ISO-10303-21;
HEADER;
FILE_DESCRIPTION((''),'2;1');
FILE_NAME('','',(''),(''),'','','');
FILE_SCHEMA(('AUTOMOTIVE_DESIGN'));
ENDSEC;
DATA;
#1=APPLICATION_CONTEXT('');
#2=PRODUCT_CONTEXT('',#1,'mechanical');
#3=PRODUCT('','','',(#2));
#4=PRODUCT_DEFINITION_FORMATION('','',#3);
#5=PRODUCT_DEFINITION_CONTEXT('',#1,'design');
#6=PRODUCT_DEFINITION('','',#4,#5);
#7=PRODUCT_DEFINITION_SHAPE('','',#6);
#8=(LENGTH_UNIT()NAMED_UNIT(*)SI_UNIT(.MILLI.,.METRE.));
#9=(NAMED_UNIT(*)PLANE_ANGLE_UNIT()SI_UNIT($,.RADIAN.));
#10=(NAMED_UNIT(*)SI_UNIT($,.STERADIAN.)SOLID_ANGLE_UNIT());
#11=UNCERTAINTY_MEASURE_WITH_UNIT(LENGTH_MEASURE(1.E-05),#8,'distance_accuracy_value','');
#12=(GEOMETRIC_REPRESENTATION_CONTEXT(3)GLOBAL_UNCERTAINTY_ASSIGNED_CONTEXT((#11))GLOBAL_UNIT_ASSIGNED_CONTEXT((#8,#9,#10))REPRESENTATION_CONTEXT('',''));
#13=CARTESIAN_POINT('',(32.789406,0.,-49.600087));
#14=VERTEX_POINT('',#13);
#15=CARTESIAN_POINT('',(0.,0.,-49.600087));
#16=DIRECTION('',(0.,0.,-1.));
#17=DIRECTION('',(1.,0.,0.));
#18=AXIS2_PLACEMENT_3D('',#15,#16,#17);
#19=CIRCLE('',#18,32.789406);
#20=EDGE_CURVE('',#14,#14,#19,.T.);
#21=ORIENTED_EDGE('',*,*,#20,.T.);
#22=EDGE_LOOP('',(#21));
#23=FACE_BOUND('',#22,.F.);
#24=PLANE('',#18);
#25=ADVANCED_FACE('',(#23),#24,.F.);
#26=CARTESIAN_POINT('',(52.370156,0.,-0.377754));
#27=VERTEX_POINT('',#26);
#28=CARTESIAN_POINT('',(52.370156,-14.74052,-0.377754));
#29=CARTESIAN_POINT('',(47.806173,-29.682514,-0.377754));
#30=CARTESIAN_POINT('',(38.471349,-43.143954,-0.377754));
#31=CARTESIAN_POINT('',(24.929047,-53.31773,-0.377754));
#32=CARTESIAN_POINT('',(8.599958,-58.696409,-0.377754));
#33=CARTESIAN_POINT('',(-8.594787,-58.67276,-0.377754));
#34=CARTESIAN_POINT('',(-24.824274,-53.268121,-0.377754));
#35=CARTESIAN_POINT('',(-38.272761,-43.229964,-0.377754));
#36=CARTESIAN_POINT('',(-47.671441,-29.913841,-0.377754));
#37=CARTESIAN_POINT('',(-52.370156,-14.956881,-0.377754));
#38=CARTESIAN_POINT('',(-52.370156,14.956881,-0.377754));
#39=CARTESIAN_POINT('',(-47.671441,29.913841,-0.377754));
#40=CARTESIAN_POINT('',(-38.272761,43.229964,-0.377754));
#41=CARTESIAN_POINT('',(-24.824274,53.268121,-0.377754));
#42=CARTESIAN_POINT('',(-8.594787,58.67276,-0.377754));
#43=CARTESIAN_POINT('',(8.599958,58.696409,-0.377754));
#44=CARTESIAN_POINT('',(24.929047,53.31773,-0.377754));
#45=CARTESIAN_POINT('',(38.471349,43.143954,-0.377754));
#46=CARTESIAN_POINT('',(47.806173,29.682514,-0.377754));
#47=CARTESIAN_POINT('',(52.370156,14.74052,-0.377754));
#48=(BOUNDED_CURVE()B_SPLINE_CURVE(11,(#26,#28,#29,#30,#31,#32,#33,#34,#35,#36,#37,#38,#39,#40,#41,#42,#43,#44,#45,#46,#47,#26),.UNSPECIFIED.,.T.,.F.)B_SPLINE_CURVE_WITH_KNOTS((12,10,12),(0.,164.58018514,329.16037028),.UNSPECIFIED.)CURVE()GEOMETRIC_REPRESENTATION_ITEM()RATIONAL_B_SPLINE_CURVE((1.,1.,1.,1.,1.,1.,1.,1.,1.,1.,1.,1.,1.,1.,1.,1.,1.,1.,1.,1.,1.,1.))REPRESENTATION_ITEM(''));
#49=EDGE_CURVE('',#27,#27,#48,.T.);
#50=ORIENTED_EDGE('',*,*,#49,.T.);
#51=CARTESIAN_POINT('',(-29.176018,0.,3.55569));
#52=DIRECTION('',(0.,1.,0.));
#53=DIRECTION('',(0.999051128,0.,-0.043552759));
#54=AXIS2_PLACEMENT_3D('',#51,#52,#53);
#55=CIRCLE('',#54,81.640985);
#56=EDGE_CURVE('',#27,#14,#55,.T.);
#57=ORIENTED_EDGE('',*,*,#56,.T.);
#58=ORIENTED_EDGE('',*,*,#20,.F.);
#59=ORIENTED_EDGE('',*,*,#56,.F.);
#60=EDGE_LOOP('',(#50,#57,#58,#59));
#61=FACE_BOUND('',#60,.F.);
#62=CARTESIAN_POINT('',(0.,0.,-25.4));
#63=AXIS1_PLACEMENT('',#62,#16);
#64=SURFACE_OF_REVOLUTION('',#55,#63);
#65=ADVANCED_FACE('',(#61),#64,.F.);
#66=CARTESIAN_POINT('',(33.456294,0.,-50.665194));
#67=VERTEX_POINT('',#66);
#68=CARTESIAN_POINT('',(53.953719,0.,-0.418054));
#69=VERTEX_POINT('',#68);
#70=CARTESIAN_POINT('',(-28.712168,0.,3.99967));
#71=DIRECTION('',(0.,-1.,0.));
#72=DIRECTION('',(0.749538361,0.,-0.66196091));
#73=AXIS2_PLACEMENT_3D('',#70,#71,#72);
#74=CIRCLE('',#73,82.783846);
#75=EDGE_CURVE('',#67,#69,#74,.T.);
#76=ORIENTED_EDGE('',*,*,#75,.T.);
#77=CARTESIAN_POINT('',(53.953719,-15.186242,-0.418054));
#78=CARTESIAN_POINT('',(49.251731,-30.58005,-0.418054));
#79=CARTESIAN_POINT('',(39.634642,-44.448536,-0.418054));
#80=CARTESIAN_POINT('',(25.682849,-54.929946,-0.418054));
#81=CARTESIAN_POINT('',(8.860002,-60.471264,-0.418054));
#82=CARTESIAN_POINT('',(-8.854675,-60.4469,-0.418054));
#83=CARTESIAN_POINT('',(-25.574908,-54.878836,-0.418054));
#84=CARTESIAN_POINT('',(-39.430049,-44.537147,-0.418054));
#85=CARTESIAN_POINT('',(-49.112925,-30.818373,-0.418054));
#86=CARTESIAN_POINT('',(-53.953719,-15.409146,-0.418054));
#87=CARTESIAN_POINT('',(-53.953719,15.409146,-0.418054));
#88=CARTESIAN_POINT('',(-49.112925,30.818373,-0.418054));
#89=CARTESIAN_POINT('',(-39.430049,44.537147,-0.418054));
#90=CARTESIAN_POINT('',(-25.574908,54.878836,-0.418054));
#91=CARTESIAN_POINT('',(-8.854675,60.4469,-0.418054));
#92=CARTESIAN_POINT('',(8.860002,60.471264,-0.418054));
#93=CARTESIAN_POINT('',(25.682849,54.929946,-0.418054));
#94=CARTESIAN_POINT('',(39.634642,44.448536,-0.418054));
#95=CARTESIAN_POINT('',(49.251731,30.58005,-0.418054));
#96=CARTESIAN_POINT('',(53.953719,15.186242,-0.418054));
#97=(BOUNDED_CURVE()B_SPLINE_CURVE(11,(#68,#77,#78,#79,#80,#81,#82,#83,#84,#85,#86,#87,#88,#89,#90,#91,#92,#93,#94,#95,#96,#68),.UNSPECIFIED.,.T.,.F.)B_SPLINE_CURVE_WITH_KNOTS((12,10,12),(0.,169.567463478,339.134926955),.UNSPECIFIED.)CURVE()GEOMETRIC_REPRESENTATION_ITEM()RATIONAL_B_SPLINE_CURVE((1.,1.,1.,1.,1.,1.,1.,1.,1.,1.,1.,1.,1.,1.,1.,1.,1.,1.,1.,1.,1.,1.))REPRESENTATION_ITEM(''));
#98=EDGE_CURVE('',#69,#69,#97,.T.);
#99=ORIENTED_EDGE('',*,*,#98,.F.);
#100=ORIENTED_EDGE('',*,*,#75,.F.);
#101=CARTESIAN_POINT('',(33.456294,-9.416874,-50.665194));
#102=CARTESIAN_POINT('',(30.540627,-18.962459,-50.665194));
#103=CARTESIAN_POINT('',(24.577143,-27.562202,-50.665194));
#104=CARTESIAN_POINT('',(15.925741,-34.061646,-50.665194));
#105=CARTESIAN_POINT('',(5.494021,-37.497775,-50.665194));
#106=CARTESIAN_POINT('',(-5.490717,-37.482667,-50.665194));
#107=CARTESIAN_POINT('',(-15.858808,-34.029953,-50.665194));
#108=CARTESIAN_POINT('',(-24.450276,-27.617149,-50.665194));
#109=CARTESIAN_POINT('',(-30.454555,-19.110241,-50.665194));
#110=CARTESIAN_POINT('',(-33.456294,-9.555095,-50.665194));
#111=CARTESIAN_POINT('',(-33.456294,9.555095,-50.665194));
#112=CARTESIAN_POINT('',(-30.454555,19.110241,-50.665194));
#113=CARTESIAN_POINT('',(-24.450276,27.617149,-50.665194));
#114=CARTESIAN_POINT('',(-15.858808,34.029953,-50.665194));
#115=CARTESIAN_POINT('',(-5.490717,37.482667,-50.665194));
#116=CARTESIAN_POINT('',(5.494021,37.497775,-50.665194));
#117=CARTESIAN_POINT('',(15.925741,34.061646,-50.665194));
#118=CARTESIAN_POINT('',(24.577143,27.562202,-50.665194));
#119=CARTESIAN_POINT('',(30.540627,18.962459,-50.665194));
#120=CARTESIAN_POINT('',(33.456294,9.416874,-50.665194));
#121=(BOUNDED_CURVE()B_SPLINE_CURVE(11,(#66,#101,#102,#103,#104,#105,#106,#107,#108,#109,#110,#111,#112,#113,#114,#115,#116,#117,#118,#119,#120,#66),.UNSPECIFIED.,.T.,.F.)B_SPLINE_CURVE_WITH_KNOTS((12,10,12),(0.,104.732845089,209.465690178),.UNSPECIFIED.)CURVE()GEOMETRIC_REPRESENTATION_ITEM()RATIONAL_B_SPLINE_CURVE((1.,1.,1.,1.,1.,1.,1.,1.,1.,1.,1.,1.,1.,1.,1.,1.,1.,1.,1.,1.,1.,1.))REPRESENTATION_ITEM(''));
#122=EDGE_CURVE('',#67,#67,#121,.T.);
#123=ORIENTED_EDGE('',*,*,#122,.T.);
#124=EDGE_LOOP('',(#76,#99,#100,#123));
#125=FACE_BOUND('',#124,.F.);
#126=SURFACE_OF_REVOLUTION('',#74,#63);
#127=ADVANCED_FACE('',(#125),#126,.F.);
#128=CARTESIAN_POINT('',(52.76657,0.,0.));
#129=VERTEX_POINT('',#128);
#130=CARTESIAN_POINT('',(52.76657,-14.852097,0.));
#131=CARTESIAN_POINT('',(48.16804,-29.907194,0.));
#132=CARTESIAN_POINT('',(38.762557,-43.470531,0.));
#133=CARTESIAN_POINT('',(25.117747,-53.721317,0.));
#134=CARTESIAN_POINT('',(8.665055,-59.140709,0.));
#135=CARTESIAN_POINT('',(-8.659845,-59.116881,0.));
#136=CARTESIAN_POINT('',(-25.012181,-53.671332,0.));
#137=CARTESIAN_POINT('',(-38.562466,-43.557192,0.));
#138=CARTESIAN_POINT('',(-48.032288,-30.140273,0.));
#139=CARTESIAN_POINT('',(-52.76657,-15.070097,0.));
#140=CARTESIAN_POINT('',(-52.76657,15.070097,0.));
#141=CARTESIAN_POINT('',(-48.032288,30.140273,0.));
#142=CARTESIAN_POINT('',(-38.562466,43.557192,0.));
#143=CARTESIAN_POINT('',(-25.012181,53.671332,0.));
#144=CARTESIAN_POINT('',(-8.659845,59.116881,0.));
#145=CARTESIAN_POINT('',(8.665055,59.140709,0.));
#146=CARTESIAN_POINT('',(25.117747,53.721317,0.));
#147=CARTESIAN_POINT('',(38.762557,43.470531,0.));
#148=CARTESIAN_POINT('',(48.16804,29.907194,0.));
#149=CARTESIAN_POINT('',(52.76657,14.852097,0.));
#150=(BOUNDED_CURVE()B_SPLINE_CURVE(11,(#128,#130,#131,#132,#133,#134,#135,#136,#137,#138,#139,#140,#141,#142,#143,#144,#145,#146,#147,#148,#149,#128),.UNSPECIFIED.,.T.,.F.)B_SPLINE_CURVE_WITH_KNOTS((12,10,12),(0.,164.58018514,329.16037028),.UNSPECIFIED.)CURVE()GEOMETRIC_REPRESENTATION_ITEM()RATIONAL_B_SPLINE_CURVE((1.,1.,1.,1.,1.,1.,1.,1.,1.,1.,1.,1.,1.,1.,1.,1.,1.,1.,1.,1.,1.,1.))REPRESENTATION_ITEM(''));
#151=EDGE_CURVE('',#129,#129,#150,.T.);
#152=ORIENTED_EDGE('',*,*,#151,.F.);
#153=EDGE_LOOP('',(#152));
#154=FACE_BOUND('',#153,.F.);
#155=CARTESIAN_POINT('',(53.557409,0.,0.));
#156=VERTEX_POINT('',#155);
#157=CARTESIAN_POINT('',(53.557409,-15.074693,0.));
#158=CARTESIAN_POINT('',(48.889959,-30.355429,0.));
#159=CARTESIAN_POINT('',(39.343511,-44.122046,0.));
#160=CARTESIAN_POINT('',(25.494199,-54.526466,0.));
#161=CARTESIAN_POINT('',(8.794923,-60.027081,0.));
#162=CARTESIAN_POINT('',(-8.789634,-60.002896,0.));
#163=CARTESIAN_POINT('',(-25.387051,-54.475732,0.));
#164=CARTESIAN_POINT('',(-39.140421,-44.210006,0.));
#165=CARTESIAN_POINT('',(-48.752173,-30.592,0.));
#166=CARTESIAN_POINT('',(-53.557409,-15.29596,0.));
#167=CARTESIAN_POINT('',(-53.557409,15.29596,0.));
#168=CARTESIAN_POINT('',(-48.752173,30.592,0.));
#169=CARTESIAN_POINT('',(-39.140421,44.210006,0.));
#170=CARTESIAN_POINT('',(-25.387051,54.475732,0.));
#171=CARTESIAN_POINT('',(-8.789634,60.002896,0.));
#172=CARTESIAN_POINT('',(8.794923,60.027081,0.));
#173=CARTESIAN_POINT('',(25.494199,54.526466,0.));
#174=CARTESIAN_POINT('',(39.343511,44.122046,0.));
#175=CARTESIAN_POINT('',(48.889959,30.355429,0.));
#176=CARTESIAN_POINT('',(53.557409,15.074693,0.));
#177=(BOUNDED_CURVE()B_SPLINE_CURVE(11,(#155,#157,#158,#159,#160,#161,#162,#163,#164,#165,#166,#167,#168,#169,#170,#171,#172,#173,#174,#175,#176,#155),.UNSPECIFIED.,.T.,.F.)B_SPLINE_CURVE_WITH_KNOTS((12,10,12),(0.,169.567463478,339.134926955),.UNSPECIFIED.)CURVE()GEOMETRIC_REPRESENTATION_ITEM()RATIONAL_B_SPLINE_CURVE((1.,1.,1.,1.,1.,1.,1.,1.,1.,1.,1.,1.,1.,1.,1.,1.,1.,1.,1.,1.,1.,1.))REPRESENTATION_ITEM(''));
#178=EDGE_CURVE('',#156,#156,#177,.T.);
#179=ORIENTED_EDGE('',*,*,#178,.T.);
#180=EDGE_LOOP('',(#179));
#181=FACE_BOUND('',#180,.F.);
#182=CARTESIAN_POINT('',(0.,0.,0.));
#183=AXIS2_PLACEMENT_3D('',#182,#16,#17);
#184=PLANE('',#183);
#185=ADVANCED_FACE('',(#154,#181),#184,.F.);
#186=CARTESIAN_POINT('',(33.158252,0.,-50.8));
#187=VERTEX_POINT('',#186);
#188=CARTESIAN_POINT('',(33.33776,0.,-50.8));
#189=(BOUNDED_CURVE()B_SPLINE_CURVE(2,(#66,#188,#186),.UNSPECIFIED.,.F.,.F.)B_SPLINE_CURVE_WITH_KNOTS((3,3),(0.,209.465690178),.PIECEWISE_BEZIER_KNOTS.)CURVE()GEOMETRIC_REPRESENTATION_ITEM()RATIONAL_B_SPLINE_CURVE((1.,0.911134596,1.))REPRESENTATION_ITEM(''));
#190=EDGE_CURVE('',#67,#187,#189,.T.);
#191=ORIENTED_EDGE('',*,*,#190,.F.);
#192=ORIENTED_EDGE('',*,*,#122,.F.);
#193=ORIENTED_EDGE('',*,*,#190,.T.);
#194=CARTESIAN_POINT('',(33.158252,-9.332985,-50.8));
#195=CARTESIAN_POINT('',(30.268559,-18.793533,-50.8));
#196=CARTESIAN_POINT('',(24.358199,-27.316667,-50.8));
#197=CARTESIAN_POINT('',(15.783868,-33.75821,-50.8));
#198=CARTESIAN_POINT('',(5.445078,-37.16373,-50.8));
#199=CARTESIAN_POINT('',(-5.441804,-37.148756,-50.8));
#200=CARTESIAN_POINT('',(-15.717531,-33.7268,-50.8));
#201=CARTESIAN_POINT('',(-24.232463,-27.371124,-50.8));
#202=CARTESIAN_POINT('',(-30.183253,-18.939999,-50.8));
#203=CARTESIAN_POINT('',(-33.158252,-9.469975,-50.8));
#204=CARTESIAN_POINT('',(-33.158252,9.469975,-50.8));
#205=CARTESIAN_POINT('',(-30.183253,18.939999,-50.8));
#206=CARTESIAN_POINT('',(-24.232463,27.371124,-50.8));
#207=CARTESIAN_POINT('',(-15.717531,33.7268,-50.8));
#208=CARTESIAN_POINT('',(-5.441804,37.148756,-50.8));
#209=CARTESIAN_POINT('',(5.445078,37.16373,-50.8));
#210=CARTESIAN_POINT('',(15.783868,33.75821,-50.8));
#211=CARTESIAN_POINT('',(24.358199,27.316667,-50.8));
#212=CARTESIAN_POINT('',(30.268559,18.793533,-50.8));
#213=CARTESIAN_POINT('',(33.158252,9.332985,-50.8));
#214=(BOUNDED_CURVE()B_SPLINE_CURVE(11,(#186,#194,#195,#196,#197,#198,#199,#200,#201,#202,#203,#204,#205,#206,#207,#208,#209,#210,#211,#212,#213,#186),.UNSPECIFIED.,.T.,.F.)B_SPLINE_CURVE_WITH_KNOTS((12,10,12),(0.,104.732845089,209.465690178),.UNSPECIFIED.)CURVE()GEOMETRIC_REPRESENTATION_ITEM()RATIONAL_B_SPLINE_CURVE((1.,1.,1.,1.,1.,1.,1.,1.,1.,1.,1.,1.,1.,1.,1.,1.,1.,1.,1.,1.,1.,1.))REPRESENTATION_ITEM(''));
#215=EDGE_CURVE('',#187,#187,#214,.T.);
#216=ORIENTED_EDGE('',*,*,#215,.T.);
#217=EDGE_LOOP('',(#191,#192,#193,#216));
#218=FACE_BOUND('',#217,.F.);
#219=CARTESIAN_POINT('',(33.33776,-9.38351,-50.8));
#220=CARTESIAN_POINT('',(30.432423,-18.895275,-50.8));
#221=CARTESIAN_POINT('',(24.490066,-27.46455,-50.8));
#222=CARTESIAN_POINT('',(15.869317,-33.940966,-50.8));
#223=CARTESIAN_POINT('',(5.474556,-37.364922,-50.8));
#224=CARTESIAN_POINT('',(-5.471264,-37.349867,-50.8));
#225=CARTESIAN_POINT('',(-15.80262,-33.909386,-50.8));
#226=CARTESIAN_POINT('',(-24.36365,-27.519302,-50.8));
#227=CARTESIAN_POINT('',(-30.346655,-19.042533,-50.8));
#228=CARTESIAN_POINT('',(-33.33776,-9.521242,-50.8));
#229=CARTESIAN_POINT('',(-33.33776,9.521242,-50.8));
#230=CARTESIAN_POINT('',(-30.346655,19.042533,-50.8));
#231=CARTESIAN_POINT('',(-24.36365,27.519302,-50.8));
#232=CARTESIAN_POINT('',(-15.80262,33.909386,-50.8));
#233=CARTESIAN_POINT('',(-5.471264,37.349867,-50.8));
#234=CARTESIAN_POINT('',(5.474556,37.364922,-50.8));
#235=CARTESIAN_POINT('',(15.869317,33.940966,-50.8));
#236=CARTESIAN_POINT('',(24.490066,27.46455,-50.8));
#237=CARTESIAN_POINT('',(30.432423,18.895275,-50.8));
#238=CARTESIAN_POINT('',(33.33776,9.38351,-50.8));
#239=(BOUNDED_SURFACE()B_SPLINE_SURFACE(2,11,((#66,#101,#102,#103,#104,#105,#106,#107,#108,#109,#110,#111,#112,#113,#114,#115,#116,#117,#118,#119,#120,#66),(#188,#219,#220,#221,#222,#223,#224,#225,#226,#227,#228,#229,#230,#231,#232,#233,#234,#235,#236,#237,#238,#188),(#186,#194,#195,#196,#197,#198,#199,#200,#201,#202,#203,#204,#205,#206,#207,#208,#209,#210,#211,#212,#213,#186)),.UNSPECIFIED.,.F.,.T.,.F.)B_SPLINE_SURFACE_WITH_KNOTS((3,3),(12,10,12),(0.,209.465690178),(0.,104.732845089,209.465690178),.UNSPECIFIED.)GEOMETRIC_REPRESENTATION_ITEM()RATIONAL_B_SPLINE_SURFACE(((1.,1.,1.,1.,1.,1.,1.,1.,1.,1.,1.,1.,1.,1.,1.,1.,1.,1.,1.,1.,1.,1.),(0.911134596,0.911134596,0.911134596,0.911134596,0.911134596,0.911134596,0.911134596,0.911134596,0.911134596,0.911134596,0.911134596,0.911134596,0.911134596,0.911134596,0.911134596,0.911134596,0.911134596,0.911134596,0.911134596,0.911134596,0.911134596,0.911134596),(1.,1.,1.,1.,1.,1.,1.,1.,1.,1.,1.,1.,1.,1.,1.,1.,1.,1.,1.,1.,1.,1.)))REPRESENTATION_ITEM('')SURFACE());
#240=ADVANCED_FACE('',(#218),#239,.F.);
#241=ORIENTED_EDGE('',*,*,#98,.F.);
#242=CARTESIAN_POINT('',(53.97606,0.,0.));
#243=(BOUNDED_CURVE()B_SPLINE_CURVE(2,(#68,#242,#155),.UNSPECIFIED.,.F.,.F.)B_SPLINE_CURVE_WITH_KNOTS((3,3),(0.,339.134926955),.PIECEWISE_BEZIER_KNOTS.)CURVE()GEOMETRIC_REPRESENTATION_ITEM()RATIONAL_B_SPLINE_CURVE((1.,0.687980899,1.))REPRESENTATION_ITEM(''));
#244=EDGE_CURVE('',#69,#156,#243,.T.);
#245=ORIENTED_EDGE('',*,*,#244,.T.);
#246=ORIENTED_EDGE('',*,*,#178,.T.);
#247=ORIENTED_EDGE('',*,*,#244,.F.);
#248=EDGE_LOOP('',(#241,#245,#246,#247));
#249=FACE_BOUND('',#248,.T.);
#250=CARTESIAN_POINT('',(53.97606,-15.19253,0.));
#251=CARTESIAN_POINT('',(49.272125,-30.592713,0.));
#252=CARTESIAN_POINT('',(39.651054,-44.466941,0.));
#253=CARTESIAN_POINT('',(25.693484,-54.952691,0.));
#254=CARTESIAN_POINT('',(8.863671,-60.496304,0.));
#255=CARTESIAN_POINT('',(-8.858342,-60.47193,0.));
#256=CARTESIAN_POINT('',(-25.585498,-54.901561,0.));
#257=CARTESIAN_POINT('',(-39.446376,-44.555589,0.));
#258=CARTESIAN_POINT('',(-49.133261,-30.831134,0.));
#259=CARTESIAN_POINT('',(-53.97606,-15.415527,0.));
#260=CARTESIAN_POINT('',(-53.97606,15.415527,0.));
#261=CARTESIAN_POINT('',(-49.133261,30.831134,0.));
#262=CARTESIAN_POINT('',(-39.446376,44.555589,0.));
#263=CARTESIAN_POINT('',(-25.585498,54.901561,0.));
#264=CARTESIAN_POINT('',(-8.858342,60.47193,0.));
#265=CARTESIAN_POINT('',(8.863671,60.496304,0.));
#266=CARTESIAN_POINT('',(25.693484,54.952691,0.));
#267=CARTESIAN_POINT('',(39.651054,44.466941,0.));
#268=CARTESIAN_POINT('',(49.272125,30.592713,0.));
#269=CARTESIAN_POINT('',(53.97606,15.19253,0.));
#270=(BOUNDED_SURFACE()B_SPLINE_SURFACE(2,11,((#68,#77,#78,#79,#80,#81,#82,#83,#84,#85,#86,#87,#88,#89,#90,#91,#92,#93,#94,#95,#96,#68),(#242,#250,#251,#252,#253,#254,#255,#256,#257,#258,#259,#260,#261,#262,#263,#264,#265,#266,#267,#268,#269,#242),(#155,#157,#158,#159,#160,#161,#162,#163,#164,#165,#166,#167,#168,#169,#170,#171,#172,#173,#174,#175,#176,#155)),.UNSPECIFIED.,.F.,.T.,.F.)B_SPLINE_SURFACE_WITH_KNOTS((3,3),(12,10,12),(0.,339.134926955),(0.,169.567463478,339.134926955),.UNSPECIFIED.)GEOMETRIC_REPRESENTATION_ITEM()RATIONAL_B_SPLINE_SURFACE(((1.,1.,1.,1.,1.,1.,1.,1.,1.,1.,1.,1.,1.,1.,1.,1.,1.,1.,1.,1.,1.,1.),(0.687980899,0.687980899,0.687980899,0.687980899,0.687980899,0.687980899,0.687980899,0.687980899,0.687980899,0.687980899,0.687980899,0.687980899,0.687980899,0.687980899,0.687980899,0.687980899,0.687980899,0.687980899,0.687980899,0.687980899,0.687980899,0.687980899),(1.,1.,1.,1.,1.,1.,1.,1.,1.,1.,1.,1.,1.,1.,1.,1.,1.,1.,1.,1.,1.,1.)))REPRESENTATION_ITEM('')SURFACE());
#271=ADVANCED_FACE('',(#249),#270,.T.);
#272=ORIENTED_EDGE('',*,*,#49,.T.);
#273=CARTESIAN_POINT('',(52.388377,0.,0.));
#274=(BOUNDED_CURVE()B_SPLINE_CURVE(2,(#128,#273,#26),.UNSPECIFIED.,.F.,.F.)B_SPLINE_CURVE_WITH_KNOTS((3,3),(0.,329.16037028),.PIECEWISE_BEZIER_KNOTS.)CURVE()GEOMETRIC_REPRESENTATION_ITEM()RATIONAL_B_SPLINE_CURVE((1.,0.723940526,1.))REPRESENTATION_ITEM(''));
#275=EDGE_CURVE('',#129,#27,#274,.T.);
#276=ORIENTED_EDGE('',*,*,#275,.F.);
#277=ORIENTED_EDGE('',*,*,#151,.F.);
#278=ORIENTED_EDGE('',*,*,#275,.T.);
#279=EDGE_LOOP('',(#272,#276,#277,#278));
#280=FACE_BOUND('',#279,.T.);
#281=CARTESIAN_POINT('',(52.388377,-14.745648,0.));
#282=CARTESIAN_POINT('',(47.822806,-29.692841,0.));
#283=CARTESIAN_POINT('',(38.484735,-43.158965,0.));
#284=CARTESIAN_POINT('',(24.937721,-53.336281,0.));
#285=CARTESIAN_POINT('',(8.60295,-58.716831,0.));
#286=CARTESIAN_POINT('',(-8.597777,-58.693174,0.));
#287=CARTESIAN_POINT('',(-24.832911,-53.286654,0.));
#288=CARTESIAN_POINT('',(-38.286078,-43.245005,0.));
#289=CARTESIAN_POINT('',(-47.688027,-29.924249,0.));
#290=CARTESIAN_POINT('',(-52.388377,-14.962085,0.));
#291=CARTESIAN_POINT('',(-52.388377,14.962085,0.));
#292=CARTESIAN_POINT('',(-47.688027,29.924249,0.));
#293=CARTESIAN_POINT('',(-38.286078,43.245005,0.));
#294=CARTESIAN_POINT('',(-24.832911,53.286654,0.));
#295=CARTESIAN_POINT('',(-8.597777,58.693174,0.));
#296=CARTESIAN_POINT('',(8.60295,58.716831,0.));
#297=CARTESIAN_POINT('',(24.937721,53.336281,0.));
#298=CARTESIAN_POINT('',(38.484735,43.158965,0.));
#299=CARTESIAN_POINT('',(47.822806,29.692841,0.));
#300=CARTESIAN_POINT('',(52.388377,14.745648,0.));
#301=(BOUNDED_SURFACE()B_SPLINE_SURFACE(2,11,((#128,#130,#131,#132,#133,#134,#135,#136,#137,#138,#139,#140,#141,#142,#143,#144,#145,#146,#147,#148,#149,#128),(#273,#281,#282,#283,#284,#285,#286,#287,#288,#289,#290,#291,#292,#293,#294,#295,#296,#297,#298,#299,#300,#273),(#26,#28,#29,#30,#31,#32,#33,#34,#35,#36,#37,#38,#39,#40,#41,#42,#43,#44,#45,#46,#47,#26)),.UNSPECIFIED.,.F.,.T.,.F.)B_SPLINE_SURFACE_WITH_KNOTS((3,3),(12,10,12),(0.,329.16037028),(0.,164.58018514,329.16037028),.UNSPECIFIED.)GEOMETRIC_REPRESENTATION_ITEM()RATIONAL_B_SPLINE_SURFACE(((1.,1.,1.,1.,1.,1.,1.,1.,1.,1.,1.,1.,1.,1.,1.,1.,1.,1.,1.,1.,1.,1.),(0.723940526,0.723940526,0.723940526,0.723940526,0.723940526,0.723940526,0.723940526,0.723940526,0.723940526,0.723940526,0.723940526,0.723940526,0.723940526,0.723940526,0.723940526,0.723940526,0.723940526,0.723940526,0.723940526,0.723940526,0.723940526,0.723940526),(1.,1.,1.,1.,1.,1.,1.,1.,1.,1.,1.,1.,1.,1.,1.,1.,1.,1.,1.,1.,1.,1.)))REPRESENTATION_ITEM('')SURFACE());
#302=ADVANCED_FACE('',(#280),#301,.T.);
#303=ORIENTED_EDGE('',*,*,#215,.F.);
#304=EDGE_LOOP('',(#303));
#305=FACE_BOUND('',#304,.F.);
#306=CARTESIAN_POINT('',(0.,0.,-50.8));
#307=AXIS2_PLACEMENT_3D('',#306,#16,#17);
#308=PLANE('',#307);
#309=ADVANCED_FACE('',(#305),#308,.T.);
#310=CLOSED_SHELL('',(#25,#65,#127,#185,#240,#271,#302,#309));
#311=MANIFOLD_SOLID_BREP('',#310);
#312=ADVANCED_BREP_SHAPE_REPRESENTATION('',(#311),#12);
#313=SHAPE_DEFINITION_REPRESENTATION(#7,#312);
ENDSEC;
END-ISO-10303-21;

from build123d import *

# Parameters (mm, degrees)
F2_R = 0.396875
F3_R = 0.396875
F4_R = 0.396875


with BuildPart() as f1:
    # F0 (on Front) → F1 (revolve)
    with BuildSketch(Plane.XZ):
        with BuildLine():
            Line((32.789406, -49.600087), (0, -49.600087))
            Line((0, -49.600087), (0, -50.8))
            Line((0, -50.8), (33.3375, -50.8))
            ThreePointArc((33.3375, -50.8), (47.984298, -27.15827), (53.975, 0))
            Line((53.975, 0), (52.3875, 0))
            ThreePointArc((52.3875, 0), (46.752774, -26.445459), (32.789406, -49.600087))
        make_face()
    revolve(axis=Axis((0, 0, -25.4), (0, 0, -1)))

    # F2
    f2_edges = [f1.edges().sort_by_distance(p)[0] for p in [
        (-53.975, 0, 0),
    ]]
    fillet(f2_edges, radius=F2_R)

    # F3
    f3_edges = [f1.edges().sort_by_distance(p)[0] for p in [
        (-52.3875, 0, 0),
    ]]
    fillet(f3_edges, radius=F3_R)

    # F4
    f4_edges = [f1.edges().sort_by_distance(p)[0] for p in [
        (-33.3375, 0, -50.8),
    ]]
    fillet(f4_edges, radius=F4_R)


solid = f1.part
